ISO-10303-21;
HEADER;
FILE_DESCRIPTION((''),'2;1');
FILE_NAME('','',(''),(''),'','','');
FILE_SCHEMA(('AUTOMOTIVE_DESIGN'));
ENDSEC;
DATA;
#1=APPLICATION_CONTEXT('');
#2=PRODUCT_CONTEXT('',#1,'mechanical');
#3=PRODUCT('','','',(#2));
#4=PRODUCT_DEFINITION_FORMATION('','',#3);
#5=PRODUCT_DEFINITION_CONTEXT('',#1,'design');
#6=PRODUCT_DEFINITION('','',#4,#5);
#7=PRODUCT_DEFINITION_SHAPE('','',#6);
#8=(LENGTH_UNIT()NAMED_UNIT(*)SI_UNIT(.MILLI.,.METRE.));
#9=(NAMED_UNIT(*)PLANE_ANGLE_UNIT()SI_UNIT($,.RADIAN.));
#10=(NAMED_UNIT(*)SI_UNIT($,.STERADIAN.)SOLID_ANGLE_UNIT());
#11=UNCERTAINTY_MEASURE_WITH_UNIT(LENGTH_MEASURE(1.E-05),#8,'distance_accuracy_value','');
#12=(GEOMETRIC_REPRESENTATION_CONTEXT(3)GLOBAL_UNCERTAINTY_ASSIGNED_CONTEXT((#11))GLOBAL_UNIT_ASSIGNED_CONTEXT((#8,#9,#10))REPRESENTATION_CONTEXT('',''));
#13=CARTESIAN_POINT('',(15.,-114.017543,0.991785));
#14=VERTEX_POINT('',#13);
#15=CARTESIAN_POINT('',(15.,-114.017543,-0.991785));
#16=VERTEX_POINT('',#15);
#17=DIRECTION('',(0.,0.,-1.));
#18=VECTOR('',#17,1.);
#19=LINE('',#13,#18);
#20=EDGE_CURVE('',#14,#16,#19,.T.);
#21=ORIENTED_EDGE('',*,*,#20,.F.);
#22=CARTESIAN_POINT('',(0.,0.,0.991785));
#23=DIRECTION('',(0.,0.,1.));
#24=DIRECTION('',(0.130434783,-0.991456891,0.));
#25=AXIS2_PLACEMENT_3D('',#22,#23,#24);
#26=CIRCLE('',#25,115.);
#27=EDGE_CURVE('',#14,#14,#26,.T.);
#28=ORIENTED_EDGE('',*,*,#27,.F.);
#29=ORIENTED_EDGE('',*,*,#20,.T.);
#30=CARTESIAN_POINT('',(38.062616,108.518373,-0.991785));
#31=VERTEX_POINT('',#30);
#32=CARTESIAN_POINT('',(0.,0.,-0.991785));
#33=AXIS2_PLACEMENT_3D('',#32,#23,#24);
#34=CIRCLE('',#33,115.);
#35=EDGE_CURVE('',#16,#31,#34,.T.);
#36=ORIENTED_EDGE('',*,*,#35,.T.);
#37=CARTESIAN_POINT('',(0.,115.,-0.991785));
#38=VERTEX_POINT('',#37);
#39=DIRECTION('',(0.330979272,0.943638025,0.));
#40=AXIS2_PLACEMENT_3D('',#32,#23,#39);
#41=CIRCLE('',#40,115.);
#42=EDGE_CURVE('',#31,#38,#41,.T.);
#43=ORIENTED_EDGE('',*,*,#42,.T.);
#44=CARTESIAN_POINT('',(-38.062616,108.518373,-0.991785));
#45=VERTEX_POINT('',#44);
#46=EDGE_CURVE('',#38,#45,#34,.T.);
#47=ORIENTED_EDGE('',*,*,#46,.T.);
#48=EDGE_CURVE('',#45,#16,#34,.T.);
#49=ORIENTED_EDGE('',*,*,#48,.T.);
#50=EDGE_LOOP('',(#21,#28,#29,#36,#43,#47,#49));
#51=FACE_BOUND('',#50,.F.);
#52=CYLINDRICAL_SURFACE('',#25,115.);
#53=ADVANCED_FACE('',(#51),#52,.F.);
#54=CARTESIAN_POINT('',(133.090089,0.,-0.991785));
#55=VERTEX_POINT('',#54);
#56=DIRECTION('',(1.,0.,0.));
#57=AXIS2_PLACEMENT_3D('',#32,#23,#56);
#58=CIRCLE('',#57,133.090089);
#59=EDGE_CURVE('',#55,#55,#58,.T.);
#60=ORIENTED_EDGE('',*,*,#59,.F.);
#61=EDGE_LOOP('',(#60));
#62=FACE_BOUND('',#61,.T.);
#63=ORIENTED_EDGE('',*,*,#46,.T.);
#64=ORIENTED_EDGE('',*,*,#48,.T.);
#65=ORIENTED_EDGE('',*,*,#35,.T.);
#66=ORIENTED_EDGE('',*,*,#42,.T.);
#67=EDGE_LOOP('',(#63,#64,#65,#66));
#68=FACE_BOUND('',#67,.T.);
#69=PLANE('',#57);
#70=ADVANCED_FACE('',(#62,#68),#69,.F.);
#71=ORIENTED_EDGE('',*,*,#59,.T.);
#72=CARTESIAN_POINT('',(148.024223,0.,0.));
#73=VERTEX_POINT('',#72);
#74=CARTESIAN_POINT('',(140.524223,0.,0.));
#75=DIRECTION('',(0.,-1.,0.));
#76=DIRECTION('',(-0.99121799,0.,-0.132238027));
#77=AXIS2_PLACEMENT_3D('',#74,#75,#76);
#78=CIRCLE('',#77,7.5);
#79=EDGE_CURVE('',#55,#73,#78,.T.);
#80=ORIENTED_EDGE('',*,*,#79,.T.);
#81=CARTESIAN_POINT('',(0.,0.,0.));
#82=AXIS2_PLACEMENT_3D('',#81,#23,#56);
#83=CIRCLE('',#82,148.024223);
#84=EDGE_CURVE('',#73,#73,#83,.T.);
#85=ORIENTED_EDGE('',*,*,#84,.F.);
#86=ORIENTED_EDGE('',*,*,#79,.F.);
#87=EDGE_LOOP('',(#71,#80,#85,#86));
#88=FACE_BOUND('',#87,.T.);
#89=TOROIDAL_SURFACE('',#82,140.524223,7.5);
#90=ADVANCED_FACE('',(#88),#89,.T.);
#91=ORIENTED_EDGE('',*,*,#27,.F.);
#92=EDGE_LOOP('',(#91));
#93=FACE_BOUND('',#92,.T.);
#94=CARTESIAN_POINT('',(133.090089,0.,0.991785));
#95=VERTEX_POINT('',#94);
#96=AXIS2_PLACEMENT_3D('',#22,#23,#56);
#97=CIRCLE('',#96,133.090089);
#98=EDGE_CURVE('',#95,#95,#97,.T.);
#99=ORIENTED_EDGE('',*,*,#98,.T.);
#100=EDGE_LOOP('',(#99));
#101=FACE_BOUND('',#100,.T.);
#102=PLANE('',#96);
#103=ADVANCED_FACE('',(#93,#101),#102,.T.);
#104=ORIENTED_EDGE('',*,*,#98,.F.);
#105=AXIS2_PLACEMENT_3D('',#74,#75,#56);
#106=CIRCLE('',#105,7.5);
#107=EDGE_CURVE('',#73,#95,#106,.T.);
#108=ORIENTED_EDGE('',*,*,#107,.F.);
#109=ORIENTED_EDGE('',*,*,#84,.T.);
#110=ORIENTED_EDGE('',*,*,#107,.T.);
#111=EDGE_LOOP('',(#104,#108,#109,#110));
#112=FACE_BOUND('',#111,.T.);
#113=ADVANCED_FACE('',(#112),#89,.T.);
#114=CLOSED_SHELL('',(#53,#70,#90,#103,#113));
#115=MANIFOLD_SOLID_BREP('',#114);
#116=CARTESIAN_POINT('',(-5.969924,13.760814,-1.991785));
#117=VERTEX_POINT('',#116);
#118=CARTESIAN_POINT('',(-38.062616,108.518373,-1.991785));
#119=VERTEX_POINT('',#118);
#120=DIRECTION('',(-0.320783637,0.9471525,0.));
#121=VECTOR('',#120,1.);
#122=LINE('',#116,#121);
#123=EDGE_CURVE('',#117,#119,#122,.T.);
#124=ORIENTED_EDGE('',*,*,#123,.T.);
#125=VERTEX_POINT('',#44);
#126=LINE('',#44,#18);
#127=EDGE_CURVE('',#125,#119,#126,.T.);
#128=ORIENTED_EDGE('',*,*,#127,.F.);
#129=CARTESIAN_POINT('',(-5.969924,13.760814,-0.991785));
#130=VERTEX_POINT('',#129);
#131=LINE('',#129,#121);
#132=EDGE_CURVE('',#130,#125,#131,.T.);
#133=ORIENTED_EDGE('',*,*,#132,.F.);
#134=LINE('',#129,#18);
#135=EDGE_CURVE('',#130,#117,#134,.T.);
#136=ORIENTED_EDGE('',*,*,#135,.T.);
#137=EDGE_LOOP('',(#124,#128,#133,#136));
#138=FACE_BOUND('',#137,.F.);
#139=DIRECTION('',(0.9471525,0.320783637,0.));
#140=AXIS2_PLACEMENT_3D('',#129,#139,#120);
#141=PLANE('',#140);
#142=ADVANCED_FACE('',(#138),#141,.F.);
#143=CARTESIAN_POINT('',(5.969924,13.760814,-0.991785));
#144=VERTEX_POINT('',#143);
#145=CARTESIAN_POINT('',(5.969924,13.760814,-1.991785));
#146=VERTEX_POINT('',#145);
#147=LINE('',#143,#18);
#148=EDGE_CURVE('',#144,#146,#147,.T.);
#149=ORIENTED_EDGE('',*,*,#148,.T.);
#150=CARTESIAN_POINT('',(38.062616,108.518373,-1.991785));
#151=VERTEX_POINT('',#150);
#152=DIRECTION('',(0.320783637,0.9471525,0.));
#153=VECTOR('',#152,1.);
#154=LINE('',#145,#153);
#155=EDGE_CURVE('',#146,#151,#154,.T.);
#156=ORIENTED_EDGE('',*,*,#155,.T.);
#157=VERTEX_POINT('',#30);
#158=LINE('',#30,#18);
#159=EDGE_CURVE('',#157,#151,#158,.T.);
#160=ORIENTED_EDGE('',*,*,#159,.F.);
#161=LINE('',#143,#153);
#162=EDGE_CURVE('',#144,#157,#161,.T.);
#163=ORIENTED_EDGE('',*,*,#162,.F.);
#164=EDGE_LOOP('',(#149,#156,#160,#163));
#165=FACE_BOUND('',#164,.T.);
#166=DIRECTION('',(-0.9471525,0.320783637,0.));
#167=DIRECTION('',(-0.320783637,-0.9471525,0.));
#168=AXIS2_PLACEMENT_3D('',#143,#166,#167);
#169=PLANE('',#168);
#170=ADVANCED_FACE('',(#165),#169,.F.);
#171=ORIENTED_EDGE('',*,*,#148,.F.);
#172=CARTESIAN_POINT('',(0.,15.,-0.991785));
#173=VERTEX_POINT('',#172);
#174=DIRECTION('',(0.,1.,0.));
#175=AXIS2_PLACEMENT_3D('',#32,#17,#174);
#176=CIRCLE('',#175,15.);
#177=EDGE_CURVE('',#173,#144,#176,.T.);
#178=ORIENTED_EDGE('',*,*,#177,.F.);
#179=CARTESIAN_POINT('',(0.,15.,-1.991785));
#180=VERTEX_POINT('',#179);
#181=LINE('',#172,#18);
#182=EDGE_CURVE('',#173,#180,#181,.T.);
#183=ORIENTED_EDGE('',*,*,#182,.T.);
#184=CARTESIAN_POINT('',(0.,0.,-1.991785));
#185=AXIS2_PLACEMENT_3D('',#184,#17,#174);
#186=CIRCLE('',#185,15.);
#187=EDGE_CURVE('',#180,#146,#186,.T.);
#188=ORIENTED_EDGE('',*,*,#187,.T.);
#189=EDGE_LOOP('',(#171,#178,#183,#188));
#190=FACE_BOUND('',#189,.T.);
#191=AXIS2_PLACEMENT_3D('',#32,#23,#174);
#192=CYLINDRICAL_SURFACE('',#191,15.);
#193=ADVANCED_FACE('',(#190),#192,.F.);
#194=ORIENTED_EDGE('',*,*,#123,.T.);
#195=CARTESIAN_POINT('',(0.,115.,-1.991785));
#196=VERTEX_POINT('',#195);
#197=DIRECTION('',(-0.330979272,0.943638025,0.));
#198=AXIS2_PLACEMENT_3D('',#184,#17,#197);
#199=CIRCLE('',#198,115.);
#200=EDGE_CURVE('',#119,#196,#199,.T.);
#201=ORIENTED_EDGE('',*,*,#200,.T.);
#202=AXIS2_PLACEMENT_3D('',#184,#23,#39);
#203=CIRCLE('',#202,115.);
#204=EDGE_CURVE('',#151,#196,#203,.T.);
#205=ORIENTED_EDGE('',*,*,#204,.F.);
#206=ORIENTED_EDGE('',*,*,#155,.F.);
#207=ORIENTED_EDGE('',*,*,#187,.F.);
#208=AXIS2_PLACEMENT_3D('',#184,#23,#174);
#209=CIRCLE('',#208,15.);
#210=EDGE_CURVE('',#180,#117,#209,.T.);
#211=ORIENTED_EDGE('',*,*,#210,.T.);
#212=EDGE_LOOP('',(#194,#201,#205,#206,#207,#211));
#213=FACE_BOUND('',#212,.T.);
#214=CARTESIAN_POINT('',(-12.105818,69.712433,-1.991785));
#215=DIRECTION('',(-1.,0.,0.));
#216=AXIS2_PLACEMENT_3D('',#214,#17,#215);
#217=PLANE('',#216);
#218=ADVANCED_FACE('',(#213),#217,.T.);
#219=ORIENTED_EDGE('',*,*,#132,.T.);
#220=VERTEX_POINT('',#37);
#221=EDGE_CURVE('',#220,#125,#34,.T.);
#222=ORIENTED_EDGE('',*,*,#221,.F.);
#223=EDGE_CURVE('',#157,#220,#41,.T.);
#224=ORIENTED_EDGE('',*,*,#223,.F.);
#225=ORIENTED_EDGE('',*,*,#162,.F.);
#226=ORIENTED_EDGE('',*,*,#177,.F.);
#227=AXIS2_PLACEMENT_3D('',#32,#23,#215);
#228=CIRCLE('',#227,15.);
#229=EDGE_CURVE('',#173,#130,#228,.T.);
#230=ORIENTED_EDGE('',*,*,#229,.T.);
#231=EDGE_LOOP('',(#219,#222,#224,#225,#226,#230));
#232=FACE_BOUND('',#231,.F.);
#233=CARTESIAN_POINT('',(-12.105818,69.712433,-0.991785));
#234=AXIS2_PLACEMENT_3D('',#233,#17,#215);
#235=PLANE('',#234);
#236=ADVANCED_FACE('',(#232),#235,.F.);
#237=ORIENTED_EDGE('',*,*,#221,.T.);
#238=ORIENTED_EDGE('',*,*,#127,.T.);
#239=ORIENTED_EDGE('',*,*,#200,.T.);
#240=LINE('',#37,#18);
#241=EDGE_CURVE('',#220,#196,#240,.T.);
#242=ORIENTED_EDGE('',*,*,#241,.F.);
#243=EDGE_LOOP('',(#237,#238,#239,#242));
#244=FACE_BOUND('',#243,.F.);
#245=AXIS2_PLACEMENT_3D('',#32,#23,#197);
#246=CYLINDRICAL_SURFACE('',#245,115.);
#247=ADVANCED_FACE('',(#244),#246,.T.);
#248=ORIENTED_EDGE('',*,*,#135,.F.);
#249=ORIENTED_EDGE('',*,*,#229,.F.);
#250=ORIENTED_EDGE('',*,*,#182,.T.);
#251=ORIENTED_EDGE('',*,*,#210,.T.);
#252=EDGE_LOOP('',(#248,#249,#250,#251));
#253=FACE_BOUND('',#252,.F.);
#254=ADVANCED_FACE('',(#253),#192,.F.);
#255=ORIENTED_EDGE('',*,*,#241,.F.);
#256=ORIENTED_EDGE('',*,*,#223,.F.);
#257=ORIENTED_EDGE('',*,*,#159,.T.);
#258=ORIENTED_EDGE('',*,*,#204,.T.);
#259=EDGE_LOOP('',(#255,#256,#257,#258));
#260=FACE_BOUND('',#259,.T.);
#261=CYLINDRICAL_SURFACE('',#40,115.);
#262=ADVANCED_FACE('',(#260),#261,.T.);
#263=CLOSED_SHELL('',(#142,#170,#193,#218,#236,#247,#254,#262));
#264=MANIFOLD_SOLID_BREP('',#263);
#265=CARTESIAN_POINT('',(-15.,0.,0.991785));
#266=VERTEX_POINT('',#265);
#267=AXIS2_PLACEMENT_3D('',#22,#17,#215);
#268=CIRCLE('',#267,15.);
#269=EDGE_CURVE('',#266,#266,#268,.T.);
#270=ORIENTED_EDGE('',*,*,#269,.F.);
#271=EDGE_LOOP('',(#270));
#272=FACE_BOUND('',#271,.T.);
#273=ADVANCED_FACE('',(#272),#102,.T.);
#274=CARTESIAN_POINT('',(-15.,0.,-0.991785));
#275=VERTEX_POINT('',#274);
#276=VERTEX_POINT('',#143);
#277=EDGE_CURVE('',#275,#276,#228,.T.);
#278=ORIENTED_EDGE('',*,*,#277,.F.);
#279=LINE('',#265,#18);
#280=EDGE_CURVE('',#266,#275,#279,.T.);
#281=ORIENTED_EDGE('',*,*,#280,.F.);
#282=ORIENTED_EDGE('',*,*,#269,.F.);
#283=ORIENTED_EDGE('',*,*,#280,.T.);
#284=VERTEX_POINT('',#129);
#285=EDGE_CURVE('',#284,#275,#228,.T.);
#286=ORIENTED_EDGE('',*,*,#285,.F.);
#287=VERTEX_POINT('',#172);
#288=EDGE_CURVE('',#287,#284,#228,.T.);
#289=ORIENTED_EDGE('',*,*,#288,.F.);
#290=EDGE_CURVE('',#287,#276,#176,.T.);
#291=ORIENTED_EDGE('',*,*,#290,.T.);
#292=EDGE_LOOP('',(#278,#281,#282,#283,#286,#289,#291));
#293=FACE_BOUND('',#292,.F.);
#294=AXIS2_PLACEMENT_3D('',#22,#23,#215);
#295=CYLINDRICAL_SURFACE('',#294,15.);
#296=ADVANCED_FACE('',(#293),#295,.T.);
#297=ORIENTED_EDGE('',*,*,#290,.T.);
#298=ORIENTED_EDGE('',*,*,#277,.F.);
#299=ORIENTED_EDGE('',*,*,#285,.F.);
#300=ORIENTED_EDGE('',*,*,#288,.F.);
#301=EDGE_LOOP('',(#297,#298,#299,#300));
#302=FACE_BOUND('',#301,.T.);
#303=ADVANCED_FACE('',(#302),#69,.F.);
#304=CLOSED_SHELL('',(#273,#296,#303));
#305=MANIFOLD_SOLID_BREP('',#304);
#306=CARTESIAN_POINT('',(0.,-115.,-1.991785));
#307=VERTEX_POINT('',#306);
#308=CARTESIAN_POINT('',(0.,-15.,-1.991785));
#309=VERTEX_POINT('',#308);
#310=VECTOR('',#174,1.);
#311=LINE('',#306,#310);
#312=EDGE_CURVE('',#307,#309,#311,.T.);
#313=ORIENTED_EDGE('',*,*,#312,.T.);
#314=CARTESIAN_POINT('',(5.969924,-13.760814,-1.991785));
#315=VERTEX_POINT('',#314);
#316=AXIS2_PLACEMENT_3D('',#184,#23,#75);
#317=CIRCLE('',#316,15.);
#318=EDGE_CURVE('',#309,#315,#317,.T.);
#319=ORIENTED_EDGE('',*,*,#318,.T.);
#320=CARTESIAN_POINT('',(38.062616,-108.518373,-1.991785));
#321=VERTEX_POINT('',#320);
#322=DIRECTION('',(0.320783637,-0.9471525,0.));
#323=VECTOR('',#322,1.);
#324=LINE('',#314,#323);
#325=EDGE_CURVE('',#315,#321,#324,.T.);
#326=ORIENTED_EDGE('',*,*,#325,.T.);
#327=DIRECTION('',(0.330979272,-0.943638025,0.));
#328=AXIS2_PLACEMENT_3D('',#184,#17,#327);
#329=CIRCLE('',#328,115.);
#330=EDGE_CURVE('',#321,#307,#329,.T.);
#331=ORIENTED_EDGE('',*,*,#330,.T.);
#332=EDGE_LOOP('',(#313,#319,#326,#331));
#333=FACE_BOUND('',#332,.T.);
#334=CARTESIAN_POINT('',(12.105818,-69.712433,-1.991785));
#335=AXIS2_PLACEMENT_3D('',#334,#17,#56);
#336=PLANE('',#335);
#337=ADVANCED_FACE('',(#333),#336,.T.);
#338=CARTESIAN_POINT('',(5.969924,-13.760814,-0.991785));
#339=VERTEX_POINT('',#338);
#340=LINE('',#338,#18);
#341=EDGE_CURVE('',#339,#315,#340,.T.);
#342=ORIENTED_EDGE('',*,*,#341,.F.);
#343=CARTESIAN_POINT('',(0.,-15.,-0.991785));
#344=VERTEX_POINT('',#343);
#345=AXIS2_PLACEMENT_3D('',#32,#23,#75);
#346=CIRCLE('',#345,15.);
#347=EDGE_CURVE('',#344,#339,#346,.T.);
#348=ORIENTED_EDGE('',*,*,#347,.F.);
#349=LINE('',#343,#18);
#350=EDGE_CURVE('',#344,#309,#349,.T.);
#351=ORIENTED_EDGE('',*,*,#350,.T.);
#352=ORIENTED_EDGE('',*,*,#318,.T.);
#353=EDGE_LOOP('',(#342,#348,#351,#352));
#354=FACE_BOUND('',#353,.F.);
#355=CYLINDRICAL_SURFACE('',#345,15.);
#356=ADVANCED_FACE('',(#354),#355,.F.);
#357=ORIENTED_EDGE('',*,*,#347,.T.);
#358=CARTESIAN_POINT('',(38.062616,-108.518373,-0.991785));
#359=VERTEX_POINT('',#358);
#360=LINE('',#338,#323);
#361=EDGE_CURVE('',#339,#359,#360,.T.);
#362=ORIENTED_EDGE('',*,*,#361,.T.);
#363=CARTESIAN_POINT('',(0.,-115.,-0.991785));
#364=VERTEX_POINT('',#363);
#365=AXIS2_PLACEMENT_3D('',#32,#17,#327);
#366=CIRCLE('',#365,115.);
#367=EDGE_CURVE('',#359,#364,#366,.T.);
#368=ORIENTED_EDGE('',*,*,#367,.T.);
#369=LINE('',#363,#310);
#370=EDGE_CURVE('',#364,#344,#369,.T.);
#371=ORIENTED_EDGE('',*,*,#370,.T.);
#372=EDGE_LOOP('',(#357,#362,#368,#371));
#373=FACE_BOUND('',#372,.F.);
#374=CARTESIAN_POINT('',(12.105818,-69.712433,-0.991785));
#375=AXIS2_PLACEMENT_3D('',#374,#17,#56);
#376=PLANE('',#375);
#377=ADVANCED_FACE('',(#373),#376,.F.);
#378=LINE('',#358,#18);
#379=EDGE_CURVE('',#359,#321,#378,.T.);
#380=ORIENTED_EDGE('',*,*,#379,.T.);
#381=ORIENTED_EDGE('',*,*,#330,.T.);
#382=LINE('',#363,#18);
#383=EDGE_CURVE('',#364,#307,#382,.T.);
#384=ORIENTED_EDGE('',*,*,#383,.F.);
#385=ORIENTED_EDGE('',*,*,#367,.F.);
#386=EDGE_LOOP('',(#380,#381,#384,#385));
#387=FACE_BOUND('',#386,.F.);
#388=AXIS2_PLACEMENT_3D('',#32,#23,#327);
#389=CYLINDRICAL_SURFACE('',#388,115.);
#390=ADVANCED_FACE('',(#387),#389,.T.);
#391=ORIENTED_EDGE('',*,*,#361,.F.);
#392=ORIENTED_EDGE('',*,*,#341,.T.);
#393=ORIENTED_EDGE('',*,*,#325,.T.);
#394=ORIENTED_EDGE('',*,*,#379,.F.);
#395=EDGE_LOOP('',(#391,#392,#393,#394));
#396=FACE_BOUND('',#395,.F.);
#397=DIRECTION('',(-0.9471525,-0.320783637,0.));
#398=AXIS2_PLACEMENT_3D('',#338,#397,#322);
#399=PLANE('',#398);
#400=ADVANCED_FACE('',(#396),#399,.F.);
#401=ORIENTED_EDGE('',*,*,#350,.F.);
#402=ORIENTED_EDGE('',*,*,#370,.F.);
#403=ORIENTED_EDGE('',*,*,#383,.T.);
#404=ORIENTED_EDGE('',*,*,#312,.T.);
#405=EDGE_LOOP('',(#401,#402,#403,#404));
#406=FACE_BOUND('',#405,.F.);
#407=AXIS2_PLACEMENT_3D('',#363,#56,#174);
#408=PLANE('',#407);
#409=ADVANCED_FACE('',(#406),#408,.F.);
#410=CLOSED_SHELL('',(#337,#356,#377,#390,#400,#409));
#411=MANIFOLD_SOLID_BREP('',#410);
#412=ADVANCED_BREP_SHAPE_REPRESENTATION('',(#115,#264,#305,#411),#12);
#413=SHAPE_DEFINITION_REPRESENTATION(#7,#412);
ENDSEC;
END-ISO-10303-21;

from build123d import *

# Parameters (mm, degrees)
F3_DEPTH = 25
F5_DEPTH = 1


with BuildPart() as f1:
    # F0 (on Front) → F1 (revolve)
    with BuildSketch(Plane.XZ):
        with BuildLine():
            Line((140.5242234468, 0.9917852003), (133.0900885196, 0.9917852003))
            ThreePointArc((133.0900885196, 0.9917852003), (133.0407078307, 0.4969849322), (133.0242234468, 0))
            Line((133.0242234468, 0), (140.5242234468, 0))
            Line((140.5242234468, 0), (140.5242234468, 0.9917852003))
        make_face()
        with BuildLine():
            ThreePointArc((133.0242234468, 0), (133.0407078307, -0.4969849322), (133.0900885196, -0.9917852003))
            Line((133.0900885196, -0.9917852003), (140.5242234468, -0.9917852003))
            Line((140.5242234468, -0.9917852003), (140.5242234468, 0))
            Line((140.5242234468, 0), (133.0242234468, 0))
        make_face()
        with BuildLine():
            ThreePointArc((133.0900885196, -0.9917852003), (141.0212083791, -7.4835156161), (148.0242234468, 0))
            ThreePointArc((148.0242234468, 0), (141.0212083791, 7.4835156161), (133.0900885196, 0.9917852003))
            Line((133.0900885196, 0.9917852003), (140.5242234468, 0.9917852003))
            Line((140.5242234468, 0.9917852003), (140.5242234468, 0))
            Line((140.5242234468, 0), (140.5242234468, -0.9917852003))
            Line((140.5242234468, -0.9917852003), (133.0900885196, -0.9917852003))
        make_face()
        with BuildLine():
            ThreePointArc((133.0242234468, 0), (133.0407078307, 0.4969849322), (133.0900885196, 0.9917852003))
            Line((133.0900885196, 0.9917852003), (0, 0.9917852003))
            Line((0, 0.9917852003), (0, 0))
            Line((0, 0), (133.0242234468, 0))
        make_face()
        with BuildLine():
            Line((0, -0.9917852003), (133.0900885196, -0.9917852003))
            ThreePointArc((133.0900885196, -0.9917852003), (133.0407078307, -0.4969849322), (133.0242234468, 0))
            Line((133.0242234468, 0), (0, 0))
            Line((0, 0), (0, -0.9917852003))
        make_face()
    revolve(axis=Axis((0, 0, 31.3383042812), (0, 0, 1)))

    # F2 (on face) → F3 (cut)
    with BuildSketch(Plane.XY.offset(0.9917852003)):
        with BuildLine():
            Line((-15, 0), (-15, -114.0175425099))
            ThreePointArc((-15, -114.0175425099), (0, -115), (15, -114.0175425099))
            Line((15, -114.0175425099), (15, 0))
            ThreePointArc((15, 0), (0, -15), (-15, 0))
        make_face()
        with BuildLine():
            ThreePointArc((15, -114.0175425099), (86.458082329, -75.8287544405), (115, 0))
            ThreePointArc((115, 0), (-75.8287544405, 86.458082329), (-15, -114.0175425099))
            Line((-15, -114.0175425099), (-15, 0))
            ThreePointArc((-15, 0), (0, 15), (15, 0))
            Line((15, 0), (15, -114.0175425099))
        make_face()
    extrude(amount=-F3_DEPTH, mode=Mode.SUBTRACT)



with BuildPart() as f5:
    # F4 (on face) → F5 (new body)
    with BuildSketch(Plane(origin=(0, 0, -0.9917852003), x_dir=(1, 0, 0), z_dir=(0, 0, -1))):
        with BuildLine():
            ThreePointArc((0, 15), (3.0485885074, 14.6869366484), (5.9699235033, 13.760814415))
            Line((5.9699235033, 13.760814415), (38.0626162691, 108.518372835))
            ThreePointArc((38.0626162691, 108.518372835), (19.3052729064, 113.368013293), (0, 115))
            Line((0, 115), (0, 15))
        make_face()
    extrude(amount=F5_DEPTH)


with BuildPart() as f6_1:
    # F6: instance of F5
    add(f5.part.mirror(Plane.XZ))


with BuildPart() as f1_1:
    add(f1.part)

    add(f6_1.part)  # F7 merges F6_1
    # F7: F6_1 across plane
    add(f6_1.part.mirror(Plane.YZ))


solid = Compound([f5.part, f1_1.part])
